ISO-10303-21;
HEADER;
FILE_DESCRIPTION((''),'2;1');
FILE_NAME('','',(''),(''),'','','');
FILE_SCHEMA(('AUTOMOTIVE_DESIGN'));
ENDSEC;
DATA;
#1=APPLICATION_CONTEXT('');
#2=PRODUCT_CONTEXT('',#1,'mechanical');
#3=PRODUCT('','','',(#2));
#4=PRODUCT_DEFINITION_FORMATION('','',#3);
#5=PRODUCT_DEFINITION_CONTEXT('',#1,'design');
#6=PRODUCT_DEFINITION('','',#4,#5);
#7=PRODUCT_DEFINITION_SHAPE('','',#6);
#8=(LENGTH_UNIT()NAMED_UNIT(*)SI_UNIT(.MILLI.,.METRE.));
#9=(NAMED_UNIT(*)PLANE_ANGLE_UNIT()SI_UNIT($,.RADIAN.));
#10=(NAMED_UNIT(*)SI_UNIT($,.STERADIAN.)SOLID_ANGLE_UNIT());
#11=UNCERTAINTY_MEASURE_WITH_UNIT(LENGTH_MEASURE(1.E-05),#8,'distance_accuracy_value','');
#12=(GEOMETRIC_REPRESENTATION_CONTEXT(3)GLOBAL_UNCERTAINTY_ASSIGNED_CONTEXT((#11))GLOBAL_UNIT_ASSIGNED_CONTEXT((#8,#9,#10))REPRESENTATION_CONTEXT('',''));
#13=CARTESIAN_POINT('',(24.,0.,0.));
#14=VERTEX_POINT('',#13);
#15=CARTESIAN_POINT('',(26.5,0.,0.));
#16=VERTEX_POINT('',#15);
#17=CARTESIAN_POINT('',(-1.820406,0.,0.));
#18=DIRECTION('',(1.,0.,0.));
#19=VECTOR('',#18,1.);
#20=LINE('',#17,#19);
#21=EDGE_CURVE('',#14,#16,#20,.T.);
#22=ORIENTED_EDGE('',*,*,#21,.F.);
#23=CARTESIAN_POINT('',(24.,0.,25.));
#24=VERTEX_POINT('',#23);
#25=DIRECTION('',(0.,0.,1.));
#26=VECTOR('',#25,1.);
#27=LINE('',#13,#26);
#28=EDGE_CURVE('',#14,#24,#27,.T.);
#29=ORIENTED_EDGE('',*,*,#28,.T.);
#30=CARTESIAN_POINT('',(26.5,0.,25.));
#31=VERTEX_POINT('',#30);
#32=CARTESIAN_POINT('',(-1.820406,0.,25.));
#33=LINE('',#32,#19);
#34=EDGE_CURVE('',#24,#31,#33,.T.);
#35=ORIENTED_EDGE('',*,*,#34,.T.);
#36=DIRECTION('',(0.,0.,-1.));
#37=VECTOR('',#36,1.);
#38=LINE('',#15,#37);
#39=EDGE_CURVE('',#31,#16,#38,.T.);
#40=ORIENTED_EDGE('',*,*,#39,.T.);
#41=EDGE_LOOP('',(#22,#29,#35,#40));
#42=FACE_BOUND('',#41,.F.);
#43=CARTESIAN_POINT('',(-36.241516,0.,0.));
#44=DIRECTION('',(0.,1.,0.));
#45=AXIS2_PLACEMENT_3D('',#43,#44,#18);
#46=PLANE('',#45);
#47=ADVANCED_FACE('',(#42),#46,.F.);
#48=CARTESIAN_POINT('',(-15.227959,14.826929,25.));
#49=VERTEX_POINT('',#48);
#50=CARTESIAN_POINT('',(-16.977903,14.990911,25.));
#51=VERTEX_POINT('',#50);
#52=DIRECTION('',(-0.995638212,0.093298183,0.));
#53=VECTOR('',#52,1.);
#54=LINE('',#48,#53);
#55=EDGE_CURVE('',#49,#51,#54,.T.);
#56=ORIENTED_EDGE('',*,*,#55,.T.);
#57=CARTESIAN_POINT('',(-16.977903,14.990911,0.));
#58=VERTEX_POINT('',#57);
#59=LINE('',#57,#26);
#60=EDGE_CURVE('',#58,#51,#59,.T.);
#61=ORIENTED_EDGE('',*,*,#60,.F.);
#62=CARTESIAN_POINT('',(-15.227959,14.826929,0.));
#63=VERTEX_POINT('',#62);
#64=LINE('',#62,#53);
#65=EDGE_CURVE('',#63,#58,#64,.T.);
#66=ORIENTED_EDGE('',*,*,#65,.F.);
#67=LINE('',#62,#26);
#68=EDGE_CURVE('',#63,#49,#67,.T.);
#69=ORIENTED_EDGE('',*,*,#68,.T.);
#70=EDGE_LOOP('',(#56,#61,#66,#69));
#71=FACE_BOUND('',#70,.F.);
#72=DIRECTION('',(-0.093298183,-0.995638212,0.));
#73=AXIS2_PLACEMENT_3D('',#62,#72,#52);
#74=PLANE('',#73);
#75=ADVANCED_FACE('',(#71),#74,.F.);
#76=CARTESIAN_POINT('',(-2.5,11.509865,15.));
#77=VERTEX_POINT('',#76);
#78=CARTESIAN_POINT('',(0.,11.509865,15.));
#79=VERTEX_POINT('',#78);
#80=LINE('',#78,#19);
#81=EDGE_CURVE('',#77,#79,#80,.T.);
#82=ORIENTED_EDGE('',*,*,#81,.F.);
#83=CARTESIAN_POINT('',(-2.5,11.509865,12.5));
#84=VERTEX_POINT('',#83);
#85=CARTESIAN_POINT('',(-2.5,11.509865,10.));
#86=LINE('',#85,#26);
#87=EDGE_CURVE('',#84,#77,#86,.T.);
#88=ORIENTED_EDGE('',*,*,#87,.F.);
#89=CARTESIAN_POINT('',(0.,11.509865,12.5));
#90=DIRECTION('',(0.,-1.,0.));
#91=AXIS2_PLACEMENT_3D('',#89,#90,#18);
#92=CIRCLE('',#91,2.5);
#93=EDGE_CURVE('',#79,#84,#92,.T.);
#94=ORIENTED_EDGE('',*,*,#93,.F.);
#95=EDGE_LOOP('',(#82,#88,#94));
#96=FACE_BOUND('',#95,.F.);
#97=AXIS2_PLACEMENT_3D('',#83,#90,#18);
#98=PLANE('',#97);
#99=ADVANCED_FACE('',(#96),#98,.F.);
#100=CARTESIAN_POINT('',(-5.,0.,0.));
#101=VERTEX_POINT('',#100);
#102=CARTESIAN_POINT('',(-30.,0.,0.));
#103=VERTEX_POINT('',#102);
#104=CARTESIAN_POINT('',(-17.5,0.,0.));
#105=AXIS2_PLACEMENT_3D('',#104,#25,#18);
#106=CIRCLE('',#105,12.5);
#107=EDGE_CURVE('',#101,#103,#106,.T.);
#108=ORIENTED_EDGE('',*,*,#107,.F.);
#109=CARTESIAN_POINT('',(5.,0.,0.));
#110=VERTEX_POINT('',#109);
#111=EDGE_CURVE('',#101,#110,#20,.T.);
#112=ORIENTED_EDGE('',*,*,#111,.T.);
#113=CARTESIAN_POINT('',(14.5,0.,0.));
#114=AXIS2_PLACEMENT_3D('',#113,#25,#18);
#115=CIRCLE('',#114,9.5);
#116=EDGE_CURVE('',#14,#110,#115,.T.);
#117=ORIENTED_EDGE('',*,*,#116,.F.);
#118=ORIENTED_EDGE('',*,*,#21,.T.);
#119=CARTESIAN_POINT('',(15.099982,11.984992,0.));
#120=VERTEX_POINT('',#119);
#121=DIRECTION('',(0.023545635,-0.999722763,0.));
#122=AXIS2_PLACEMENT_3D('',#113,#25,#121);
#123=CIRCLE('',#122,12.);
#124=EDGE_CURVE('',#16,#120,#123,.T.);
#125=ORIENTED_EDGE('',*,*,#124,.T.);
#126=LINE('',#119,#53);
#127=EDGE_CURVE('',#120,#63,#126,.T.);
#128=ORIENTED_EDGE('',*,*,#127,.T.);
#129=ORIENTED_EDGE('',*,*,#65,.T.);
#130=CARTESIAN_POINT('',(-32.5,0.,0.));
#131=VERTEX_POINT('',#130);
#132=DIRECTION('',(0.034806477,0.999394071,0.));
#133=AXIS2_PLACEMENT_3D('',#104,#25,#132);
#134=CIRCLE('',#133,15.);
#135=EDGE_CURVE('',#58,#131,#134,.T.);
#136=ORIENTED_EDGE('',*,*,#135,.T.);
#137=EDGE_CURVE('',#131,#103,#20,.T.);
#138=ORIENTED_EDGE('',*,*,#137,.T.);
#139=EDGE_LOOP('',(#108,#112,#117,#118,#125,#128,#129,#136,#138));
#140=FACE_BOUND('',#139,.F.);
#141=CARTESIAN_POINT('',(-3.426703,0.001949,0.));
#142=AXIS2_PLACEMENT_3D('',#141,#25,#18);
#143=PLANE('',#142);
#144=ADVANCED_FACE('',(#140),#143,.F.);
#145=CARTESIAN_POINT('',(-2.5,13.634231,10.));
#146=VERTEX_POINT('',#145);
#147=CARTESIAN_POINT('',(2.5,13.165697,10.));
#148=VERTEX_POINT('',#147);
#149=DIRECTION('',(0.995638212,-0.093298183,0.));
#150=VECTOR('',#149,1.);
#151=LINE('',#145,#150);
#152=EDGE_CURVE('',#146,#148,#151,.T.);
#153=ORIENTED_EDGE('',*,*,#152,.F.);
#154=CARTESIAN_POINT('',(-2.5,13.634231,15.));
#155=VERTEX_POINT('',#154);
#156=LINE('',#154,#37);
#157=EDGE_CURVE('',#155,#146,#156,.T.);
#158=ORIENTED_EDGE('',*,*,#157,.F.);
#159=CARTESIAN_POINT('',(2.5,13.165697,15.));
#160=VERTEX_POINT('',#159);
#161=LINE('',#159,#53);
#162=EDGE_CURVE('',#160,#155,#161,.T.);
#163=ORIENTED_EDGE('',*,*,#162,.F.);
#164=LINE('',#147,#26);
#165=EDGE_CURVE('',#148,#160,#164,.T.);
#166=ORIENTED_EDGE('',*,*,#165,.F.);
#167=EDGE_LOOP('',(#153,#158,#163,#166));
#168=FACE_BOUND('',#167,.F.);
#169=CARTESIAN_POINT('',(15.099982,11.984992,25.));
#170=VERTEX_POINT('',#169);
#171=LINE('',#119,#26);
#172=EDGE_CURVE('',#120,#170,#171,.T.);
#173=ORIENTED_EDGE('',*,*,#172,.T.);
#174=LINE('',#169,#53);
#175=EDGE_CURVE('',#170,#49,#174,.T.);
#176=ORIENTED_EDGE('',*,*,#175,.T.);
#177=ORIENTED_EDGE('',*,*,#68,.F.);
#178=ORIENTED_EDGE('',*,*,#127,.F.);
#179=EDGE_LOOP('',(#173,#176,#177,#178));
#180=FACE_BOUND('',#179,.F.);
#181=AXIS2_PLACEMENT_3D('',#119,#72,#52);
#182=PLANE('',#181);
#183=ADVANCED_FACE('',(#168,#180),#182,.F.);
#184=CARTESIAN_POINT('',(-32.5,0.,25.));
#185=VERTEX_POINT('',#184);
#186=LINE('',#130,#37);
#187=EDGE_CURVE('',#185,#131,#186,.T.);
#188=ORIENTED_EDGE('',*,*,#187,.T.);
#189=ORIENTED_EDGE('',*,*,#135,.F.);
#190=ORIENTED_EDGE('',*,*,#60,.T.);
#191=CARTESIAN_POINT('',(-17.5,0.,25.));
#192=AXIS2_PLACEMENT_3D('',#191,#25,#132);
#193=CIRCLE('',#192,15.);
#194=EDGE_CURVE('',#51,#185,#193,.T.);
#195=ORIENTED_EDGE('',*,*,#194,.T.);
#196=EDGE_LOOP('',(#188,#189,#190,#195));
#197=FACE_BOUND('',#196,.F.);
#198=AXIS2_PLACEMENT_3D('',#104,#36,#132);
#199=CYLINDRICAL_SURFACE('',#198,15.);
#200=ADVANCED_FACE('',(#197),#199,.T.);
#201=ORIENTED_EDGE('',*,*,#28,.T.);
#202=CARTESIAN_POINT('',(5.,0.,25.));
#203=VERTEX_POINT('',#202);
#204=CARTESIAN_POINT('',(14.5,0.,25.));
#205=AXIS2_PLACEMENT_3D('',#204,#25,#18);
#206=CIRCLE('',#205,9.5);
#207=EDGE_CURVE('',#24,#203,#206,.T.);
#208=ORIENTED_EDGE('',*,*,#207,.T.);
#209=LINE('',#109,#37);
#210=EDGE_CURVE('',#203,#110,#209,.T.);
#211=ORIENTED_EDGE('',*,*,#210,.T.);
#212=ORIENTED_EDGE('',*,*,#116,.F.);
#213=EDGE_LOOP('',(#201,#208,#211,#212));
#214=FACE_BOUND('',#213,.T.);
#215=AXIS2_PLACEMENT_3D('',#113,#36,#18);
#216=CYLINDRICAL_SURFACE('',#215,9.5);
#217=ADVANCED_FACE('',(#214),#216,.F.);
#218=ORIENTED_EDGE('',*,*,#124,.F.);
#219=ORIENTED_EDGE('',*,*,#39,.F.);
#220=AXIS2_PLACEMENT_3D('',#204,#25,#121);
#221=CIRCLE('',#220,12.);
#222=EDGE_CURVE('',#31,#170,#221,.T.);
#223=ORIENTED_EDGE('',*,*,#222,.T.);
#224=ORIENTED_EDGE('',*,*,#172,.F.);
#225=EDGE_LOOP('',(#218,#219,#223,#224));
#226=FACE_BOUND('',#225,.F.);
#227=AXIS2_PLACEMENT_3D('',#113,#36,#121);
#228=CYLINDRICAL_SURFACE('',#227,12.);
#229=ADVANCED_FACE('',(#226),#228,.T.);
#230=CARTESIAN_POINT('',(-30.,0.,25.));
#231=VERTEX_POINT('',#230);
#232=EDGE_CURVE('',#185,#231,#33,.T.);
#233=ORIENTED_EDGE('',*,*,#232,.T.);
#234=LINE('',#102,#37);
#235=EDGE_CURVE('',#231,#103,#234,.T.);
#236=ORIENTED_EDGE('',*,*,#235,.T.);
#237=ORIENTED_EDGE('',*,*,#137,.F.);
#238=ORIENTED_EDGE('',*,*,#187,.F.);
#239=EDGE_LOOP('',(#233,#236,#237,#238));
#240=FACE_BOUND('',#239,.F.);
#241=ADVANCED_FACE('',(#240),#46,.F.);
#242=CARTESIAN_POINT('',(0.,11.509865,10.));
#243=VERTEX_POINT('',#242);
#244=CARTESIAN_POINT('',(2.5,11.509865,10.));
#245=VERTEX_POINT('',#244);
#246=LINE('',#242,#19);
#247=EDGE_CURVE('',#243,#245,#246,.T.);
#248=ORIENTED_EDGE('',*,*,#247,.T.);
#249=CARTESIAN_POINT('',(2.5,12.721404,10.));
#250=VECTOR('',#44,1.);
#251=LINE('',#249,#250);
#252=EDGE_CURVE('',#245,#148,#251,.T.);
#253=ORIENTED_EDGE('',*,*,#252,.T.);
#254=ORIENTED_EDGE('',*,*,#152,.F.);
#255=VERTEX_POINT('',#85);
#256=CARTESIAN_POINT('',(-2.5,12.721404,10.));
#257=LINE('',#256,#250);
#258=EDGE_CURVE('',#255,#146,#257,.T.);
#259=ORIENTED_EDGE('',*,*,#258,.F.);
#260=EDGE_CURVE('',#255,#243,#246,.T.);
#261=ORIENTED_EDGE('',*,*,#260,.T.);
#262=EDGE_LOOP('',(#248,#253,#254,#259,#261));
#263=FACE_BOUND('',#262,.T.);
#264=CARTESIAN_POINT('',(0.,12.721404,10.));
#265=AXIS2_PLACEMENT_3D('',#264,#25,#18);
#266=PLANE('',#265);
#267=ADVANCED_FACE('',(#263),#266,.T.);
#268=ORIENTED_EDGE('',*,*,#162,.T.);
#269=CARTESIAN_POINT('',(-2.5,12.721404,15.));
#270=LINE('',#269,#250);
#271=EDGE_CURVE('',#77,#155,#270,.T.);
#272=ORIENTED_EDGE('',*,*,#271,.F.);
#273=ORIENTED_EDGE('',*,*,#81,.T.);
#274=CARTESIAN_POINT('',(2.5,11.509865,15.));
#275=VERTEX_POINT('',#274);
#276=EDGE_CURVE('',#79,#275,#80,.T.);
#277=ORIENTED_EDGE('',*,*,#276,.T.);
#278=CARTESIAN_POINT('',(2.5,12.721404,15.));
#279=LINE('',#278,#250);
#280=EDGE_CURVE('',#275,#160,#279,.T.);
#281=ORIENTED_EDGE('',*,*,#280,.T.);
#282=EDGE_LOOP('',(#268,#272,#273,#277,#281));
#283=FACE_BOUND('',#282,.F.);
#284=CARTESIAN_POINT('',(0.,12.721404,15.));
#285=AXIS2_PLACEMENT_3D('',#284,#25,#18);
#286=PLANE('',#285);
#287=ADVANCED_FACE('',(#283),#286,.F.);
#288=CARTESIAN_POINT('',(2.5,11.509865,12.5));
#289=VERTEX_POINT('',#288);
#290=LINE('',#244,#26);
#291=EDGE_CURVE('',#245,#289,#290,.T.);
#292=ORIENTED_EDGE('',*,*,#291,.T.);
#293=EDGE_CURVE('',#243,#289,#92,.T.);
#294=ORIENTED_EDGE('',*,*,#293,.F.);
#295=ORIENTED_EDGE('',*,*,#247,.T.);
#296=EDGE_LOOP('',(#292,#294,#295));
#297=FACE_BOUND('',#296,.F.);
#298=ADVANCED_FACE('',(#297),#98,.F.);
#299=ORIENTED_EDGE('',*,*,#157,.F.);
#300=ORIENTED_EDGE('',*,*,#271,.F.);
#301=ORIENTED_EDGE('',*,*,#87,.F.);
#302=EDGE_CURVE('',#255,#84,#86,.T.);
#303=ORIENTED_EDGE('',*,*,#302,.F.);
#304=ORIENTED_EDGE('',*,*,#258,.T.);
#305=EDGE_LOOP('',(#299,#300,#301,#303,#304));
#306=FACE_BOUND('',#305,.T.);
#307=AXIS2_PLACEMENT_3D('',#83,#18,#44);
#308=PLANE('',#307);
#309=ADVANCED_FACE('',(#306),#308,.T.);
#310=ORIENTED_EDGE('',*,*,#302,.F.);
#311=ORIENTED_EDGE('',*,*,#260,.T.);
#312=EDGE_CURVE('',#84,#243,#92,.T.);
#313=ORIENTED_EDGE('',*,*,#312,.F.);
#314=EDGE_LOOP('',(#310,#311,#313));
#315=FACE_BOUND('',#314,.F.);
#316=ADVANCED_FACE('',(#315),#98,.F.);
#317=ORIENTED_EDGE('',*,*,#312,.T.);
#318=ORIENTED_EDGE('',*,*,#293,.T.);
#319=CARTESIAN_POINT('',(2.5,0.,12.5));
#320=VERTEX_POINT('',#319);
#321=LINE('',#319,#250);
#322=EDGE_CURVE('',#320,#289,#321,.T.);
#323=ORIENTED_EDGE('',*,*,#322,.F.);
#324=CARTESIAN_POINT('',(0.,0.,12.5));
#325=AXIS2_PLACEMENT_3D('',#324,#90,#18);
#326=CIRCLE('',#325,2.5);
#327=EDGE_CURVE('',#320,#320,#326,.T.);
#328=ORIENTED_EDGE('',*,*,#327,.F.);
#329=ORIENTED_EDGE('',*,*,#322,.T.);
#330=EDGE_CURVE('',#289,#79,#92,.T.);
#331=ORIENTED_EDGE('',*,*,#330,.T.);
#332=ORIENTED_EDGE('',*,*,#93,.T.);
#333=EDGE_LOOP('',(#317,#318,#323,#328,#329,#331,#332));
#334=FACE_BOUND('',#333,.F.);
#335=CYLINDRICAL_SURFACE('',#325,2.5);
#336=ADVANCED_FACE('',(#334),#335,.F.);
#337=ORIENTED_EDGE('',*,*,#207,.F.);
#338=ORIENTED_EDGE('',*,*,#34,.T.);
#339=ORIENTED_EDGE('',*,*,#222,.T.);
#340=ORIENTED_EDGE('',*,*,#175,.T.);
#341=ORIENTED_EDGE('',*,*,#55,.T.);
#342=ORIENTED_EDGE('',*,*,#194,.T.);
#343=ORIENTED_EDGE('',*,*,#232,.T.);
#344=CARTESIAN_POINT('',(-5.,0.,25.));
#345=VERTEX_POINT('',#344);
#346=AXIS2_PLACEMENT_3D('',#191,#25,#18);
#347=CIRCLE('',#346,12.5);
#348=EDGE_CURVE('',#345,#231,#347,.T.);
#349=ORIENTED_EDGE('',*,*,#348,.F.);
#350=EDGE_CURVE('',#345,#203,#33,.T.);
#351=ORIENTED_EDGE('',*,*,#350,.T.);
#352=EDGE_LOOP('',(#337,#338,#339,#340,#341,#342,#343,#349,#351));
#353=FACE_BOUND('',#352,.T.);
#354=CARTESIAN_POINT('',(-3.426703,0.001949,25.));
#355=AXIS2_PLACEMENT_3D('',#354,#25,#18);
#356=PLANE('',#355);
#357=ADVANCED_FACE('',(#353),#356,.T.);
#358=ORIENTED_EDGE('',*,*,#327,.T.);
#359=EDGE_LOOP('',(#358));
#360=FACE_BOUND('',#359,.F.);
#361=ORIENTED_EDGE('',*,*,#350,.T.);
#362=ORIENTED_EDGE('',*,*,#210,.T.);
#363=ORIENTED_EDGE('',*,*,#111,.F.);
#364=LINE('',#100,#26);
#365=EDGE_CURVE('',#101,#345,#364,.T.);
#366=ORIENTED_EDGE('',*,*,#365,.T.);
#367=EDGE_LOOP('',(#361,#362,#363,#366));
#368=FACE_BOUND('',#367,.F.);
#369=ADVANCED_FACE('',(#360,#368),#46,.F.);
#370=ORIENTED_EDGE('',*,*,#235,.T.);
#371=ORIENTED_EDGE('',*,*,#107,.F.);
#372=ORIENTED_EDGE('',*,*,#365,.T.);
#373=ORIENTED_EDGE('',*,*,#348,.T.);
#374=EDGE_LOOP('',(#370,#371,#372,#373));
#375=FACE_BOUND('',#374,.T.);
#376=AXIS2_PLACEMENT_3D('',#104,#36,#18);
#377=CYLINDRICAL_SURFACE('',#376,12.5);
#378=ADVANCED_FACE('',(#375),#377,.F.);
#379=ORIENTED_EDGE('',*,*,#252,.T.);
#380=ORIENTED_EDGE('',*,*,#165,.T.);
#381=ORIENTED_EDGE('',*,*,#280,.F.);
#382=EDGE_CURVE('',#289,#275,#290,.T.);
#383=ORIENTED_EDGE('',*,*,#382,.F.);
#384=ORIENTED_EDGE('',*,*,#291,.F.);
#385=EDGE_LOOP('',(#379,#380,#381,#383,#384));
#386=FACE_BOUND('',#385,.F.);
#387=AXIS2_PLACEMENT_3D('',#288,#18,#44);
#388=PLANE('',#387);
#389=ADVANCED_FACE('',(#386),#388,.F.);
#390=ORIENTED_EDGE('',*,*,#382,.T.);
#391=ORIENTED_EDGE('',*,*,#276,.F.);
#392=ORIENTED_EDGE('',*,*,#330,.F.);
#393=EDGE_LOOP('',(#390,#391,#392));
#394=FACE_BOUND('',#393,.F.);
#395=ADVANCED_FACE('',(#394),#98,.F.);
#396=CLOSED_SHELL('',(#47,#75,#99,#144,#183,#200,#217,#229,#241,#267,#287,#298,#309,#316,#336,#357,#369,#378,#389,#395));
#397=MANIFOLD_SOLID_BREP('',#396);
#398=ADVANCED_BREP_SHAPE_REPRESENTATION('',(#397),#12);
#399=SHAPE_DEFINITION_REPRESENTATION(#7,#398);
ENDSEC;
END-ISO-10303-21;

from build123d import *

# Parameters (mm, degrees)
F0_R     = 12.5
F0_R_2   = 9.5
F1_DEPTH = 25
F2_W     = 68.8422210515
F2_H     = 15.526487492
F3_DEPTH = 25
F4_R     = 2.5
F5_DEPTH = 25
F7_W     = 5
F7_H     = 2.4230774548
F8_DEPTH = 2.5


with BuildPart() as f1:
    # F0 (on Top) → F1 (new body)
    with BuildSketch(Plane.XY):
        with BuildLine():
            Line((15.0999815878, 11.984991535), (-15.2279593776, 14.8269292644))
            Line((-15.2279593776, 14.8269292644), (-16.977902849, 14.9909110652))
            ThreePointArc((-16.977902849, 14.9909110652), (-32.4928088986, 0.4644150411), (-17.9067260562, -14.9944847833))
            Line((-17.9067260562, -14.9944847833), (-14.3728174755, -14.6704031798))
            Line((-14.3728174755, -14.6704031798), (14.7825476215, -11.9966731572))
            ThreePointArc((14.7825476215, -11.9966731572), (26.4989489041, -0.1588244182), (15.0999815878, 11.984991535))
        make_face()
        with Locations((-17.5, 0)):
            Circle(F0_R, mode=Mode.SUBTRACT)
        with Locations((14.5, 0)):
            Circle(F0_R_2, mode=Mode.SUBTRACT)
    extrude(amount=F1_DEPTH)

    # F2 (on Top) → F3 (cut)
    with BuildSketch(Plane.XY):
        with Locations((-1.8204059452, -7.763243746)):
            Rectangle(F2_W, F2_H)
    extrude(amount=F3_DEPTH, mode=Mode.SUBTRACT)

    # F4 (on face) → F5 (cut)
    with BuildSketch(Plane.XZ):
        with Locations((0, 12.5)):
            Circle(F4_R)
    extrude(amount=-F5_DEPTH, mode=Mode.SUBTRACT)

    # F7 (on offset) → F8 (cut, symmetric)
    with BuildSketch(Plane.XY.offset(12.5)):
        with Locations((0, 12.7214035019)):
            Rectangle(F7_W, F7_H)
    extrude(amount=F8_DEPTH, both=True, mode=Mode.SUBTRACT)


solid = f1.part
